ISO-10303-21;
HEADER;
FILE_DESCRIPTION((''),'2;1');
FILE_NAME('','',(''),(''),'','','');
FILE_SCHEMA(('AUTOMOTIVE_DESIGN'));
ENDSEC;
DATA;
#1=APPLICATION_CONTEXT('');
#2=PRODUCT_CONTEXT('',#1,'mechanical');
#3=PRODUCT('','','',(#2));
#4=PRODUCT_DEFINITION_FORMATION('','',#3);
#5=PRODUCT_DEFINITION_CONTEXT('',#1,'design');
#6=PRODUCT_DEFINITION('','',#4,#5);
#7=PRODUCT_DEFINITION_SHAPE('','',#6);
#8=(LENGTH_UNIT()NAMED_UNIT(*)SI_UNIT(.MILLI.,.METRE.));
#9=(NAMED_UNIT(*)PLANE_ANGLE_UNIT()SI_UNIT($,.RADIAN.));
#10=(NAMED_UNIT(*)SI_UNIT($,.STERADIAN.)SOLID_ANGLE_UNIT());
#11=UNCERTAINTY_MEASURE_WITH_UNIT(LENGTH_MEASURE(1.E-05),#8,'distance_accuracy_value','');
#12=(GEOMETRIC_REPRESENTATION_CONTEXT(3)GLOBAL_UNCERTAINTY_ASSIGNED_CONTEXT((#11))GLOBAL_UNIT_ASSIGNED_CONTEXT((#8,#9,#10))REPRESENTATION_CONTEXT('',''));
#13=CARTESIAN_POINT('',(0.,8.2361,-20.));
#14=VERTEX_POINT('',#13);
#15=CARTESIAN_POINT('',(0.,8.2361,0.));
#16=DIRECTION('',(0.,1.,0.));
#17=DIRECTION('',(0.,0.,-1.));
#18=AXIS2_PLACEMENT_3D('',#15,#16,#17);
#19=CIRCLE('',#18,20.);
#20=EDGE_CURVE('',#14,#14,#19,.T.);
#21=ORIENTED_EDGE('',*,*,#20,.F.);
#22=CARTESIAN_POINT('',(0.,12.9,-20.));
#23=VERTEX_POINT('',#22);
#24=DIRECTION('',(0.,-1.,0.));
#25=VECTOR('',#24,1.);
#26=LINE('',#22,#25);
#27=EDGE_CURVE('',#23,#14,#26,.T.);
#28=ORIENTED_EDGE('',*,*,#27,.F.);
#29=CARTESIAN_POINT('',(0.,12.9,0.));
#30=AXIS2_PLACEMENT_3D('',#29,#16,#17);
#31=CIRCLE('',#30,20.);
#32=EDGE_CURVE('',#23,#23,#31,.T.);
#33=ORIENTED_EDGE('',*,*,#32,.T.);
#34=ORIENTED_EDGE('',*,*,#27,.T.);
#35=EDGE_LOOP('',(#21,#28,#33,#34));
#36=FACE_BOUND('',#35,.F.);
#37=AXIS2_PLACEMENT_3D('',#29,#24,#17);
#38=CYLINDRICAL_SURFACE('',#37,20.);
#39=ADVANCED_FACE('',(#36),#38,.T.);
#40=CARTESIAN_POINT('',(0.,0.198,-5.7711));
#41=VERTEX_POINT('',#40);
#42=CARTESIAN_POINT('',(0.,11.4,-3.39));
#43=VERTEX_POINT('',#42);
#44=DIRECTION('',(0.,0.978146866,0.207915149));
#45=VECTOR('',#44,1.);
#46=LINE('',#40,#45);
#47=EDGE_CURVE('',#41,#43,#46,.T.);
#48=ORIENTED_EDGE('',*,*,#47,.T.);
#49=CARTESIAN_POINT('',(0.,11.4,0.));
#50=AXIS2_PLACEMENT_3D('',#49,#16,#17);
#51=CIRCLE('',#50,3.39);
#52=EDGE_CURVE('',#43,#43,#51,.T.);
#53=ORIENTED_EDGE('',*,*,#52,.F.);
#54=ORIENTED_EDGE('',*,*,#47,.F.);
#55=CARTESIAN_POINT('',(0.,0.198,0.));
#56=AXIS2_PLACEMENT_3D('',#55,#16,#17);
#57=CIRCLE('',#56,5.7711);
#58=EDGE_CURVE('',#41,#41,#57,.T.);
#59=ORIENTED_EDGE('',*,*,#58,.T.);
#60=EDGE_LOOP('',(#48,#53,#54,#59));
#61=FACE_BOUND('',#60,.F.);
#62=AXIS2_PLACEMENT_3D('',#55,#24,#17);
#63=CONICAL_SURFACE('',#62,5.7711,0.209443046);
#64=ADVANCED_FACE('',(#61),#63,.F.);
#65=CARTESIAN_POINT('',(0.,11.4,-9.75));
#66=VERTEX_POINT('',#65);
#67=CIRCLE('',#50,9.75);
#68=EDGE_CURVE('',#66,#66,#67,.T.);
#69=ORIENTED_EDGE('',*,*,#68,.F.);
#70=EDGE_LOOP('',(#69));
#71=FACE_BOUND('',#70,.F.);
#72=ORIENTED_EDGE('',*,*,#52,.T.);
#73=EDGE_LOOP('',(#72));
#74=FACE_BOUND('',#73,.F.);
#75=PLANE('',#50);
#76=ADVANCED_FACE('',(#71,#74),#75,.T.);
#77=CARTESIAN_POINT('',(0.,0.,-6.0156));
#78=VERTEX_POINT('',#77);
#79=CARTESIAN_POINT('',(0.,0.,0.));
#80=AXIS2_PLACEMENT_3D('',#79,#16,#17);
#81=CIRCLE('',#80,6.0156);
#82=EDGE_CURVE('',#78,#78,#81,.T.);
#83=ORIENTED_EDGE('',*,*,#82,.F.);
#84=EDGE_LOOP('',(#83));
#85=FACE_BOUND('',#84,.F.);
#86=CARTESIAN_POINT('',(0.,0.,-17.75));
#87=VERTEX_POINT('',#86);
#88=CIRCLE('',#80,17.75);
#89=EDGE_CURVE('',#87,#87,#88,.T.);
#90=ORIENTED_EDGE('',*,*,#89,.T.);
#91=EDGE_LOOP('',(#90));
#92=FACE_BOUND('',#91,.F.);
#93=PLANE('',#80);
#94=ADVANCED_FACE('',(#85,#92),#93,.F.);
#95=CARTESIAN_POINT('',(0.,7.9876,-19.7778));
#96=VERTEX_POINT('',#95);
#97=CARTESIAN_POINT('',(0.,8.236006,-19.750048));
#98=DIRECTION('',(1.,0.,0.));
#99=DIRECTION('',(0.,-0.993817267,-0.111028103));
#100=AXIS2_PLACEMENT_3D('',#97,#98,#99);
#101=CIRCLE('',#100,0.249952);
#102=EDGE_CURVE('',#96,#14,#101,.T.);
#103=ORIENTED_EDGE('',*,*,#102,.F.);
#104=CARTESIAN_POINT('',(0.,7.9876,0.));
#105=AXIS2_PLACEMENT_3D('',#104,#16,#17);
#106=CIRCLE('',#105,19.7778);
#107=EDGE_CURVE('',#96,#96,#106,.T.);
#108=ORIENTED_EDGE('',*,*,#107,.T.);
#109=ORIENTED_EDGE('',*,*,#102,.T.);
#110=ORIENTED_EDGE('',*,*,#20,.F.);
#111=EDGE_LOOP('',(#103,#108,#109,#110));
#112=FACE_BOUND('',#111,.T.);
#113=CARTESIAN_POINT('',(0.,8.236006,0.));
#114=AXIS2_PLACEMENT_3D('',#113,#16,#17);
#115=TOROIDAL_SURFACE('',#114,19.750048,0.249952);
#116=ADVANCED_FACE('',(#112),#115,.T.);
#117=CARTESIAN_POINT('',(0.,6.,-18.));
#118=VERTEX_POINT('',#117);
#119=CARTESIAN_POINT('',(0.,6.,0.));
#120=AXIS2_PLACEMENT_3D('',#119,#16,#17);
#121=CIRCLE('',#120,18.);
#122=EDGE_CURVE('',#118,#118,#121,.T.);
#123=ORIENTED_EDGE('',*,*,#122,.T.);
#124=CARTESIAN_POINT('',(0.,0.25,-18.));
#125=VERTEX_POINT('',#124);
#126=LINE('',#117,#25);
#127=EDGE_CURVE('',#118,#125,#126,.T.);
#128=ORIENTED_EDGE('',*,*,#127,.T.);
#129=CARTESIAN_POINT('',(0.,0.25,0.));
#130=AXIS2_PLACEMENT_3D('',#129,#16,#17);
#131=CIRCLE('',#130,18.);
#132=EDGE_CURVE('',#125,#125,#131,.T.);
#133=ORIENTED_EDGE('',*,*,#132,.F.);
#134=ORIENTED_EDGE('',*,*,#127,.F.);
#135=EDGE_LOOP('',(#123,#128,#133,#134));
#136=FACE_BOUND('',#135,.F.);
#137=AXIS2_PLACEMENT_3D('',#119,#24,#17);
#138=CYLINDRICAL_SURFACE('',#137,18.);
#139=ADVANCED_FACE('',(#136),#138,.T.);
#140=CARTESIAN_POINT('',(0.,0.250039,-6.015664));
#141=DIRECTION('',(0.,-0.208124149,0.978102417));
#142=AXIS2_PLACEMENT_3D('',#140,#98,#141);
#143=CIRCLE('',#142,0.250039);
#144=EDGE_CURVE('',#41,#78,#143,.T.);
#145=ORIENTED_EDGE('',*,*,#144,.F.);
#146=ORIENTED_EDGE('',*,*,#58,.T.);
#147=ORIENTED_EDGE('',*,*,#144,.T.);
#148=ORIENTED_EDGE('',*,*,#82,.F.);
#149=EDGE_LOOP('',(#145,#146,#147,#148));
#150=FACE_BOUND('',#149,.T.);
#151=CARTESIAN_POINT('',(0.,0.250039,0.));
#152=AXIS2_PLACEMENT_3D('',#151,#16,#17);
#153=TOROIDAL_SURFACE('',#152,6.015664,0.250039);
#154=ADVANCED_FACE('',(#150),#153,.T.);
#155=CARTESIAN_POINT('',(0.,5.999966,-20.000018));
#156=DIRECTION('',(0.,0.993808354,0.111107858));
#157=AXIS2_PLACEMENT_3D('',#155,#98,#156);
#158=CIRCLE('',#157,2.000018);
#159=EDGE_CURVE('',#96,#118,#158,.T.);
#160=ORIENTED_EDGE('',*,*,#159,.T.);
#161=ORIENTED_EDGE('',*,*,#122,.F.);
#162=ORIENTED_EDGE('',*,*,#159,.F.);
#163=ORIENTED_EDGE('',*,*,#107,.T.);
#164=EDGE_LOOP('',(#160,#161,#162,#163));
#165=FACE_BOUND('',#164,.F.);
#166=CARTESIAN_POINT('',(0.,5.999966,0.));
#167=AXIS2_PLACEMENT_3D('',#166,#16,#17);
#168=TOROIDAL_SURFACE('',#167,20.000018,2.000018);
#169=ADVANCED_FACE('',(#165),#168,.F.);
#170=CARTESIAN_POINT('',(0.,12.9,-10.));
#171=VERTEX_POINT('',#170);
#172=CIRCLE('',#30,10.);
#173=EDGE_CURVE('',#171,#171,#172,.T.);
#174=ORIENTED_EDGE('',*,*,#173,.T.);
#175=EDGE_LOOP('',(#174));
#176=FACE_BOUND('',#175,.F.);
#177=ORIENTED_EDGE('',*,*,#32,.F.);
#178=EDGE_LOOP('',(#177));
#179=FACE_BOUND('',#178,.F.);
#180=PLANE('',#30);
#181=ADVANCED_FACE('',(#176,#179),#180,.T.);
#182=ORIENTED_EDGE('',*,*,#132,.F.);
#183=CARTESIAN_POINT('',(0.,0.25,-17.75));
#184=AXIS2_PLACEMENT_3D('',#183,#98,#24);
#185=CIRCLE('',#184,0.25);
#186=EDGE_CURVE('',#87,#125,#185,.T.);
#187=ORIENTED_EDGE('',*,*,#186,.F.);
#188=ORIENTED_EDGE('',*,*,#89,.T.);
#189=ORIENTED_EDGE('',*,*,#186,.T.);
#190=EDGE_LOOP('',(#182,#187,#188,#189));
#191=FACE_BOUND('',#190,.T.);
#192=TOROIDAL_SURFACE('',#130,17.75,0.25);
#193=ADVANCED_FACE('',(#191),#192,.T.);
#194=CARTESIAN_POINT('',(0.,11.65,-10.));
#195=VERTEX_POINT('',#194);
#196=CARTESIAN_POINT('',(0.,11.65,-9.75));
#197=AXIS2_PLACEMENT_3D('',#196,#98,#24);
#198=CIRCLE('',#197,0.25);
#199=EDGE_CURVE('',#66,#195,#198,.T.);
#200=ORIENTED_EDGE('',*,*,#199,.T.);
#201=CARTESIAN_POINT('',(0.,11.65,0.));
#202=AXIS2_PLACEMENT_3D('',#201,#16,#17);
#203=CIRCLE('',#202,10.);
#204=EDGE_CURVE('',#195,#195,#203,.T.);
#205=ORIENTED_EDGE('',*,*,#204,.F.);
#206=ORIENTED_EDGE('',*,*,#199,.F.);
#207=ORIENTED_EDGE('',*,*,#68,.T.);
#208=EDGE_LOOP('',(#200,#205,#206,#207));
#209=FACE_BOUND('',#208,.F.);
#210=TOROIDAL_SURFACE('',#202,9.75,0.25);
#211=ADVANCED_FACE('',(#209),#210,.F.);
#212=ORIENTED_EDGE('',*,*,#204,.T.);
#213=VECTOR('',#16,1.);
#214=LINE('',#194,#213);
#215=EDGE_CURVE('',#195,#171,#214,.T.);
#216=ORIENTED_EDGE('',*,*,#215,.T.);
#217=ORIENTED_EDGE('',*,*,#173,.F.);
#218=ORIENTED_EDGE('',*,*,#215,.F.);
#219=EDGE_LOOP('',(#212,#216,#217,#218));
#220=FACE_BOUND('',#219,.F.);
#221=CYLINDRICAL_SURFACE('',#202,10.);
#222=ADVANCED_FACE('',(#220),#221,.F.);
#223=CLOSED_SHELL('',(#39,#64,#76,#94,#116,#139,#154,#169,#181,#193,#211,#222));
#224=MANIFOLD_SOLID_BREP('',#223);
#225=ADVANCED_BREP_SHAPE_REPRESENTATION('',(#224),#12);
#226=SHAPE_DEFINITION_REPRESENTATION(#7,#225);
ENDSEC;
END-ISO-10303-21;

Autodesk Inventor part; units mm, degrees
ref_plane "YZ Plane" through (0, 0, 0) normal (1, 0, 0) x (0, 1, 0)
ref_plane "XZ Plane" through (0, 0, 0) normal (0, 1, 0) x (-1, 0, 0)
ref_plane "XY Plane" through (0, 0, 0) normal (0, 0, 1) x (1, 0, 0)
sketch "Sketch1" plane through (0, 0, 0) normal (1, 0, 0) x (0, 1, 0)
  line L0 (12.9, -10) -> (12.9, -20)
  line L1 (12.9, -20) -> (8.2361, -20)
  line L2 (8, -20) -> (8, -20)
  line L3 (6, -18) -> (0.25, -18)
  line L4 (0, -17.75) -> (0, -6.0156)
  line L5 (0.198, -5.7711) -> (11.4, -3.39)
  line L6 (11.4, -3.39) -> (11.4, -9.75)
  line L7 (11.65, -10) -> (12.9, -10)
  arc A0 (11.4, -9.75) -> (11.65, -10) centre (11.65, -9.75) ccw
  arc A1 (0.198, -5.7711) -> (0, -6.0156) centre (0.25, -6.0156) ccw
  arc A2 (0, -17.75) -> (0.25, -18) centre (0.25, -17.75) ccw
  arc A3 (7.9876, -19.7778) -> (6, -18) centre (6, -20) ccw
  arc A4 (7.9876, -19.7778) -> (8.2361, -20) centre (8.2361, -19.75) ccw
  line L8 (0, 0) -> (26.0527, 0) construction
  point P0 (11.4, -10)
  dimension "d0" = 10
  dimension "d1" = 12.9
  dimension "d2" = 8
  dimension "d3" = 20
  dimension "d4" = 18
  dimension "d5" = 1.5
  dimension "d6" = 3.39
  dimension "d7" = 78
  dimension "d8" = 12.9
  dimension "d9" = 0.25
  dimension "d10" = 2
  dimension "d11" = 0.25
revolve "Revolution1" add sketch "Sketch1" angle 360 about axis through (0, 0, 0) along (0, 1, 0)
properties part number "Component 42(Minehmer)"
